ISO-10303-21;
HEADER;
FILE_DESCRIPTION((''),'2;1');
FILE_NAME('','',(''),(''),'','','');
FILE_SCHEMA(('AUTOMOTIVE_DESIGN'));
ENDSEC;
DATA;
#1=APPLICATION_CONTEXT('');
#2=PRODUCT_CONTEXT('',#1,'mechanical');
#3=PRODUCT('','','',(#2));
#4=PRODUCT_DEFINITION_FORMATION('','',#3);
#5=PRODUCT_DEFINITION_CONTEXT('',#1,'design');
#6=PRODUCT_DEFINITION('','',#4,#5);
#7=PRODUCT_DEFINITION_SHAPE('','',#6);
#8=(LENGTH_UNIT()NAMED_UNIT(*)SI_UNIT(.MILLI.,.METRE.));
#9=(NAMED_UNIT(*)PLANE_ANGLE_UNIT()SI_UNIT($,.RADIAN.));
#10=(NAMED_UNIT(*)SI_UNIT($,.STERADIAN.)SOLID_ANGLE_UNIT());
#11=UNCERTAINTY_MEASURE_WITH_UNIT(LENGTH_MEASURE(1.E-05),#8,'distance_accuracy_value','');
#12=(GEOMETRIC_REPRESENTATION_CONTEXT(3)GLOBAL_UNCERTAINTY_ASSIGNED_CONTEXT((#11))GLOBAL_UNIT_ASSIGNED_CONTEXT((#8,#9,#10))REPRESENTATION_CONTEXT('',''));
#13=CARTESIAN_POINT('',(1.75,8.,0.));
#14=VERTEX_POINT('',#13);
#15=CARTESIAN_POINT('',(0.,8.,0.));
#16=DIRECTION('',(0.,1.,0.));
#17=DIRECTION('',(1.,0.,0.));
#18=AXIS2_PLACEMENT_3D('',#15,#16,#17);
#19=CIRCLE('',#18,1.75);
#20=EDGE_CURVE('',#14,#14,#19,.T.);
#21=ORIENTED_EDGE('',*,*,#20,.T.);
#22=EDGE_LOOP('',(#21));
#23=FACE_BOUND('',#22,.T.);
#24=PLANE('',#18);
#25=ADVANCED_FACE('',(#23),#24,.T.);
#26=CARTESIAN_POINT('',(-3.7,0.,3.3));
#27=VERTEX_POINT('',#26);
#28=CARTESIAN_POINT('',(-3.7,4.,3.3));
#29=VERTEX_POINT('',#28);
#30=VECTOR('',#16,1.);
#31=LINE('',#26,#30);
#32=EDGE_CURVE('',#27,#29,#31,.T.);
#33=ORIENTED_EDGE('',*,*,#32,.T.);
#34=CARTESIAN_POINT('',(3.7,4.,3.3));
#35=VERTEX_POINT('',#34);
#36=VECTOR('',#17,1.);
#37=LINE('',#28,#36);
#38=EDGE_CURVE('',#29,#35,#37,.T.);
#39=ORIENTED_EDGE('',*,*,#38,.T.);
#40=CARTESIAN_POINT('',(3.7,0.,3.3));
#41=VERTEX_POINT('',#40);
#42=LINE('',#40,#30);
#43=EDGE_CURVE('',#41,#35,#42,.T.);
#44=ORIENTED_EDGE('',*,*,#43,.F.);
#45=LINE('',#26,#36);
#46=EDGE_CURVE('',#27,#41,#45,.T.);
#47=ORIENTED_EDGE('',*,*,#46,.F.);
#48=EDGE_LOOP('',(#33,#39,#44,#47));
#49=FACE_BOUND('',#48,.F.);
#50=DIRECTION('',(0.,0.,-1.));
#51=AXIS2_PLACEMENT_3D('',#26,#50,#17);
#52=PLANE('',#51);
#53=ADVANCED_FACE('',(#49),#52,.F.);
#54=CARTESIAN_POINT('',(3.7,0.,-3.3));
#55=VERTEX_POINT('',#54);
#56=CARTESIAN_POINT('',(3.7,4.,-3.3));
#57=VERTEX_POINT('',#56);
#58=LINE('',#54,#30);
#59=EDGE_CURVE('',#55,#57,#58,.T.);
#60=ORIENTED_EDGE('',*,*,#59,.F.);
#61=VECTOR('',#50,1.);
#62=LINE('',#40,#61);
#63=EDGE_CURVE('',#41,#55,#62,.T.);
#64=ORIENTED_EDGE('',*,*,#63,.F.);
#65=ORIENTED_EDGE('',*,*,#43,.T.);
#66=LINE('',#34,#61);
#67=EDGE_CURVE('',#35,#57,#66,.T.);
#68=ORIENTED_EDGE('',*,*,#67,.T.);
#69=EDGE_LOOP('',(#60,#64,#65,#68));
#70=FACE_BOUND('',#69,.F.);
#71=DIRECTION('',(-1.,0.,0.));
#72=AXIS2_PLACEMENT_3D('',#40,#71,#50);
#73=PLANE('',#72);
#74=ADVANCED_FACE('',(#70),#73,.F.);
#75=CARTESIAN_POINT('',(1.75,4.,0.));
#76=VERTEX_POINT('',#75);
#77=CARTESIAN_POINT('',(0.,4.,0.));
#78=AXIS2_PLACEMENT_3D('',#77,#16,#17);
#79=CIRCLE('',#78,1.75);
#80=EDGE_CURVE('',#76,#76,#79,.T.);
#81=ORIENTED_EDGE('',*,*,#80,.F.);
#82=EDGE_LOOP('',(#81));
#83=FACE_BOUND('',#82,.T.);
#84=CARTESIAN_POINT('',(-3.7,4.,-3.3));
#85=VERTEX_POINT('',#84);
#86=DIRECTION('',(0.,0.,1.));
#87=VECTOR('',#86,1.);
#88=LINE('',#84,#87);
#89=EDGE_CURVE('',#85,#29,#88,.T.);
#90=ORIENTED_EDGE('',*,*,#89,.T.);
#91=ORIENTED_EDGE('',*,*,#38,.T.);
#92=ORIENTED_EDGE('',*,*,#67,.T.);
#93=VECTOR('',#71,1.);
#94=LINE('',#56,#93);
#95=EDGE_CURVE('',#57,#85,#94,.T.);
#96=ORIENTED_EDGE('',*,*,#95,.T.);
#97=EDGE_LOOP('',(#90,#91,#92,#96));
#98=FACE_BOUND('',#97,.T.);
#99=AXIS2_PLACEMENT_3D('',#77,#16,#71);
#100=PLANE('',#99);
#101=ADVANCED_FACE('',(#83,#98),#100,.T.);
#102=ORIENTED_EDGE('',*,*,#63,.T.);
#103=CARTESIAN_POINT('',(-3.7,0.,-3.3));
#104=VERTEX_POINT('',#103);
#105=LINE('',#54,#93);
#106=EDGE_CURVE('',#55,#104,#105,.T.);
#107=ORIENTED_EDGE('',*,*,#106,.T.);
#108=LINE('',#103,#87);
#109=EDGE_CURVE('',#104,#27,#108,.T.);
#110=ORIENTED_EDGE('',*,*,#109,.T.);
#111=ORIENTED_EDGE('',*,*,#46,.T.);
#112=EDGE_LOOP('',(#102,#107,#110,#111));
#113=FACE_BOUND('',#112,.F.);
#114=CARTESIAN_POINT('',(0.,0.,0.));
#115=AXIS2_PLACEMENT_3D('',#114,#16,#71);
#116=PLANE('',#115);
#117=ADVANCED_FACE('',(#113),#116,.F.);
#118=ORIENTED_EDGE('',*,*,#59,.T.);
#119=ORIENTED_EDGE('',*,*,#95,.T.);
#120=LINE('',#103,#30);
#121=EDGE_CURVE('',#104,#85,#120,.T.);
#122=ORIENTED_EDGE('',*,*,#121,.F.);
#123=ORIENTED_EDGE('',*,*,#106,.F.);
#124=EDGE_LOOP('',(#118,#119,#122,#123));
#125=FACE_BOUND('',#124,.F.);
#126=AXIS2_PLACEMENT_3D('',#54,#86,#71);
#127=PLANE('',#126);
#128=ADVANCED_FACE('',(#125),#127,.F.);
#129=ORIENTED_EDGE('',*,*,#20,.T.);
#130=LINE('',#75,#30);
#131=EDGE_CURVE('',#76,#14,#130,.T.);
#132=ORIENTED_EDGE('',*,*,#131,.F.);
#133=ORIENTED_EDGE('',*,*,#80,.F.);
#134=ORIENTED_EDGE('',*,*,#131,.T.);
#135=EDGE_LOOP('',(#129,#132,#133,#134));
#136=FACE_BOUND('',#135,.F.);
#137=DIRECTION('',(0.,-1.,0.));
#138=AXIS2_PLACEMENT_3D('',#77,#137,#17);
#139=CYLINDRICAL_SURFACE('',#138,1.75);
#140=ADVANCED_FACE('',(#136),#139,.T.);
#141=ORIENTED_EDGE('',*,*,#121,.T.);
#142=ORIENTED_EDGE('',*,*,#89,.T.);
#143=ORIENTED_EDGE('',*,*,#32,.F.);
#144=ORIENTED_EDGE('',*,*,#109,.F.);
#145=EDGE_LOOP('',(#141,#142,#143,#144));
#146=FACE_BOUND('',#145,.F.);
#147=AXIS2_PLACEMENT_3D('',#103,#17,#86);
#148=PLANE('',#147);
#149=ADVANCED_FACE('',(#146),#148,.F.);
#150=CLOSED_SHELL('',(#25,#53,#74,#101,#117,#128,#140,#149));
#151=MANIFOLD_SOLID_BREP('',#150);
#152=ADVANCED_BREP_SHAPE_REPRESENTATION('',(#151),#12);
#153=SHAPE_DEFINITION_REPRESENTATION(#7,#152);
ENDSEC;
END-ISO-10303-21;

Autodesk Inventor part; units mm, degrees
ref_plane "YZ Plane" through (0, 0, 0) normal (1, 0, 0) x (0, 1, 0)
ref_plane "XZ Plane" through (0, 0, 0) normal (0, 1, 0) x (-1, 0, 0)
ref_plane "XY Plane" through (0, 0, 0) normal (0, 0, 1) x (1, 0, 0)
sketch "Эскиз1" plane through (0, 0, 0) normal (0, 1, 0) x (-1, 0, 0)
  line L0 (3.7, 3.3) -> (-3.7, 3.3)
  line L1 (-3.7, 3.3) -> (-3.7, -3.3)
  line L2 (-3.7, -3.3) -> (3.7, -3.3)
  line L3 (3.7, -3.3) -> (3.7, 3.3)
  point P0 (0, 0)
  dimension "d1" = 6.6
  dimension "d2" = 7.4
  dimension "d3" = 3.3
  dimension "d4" = 3.7
extrude "Выдавливание1" add sketch "Эскиз1" along normal blind 4
sketch "Эскиз2" plane through (0, 4, 0) normal (0, 1, 0) x (1, 0, 0)
  circle A0 centre (0, 0) radius 1.75
  dimension "d7" = 3.5
extrude "Выдавливание2" add sketch "Эскиз2" along normal blind 4
properties part number "btn"
